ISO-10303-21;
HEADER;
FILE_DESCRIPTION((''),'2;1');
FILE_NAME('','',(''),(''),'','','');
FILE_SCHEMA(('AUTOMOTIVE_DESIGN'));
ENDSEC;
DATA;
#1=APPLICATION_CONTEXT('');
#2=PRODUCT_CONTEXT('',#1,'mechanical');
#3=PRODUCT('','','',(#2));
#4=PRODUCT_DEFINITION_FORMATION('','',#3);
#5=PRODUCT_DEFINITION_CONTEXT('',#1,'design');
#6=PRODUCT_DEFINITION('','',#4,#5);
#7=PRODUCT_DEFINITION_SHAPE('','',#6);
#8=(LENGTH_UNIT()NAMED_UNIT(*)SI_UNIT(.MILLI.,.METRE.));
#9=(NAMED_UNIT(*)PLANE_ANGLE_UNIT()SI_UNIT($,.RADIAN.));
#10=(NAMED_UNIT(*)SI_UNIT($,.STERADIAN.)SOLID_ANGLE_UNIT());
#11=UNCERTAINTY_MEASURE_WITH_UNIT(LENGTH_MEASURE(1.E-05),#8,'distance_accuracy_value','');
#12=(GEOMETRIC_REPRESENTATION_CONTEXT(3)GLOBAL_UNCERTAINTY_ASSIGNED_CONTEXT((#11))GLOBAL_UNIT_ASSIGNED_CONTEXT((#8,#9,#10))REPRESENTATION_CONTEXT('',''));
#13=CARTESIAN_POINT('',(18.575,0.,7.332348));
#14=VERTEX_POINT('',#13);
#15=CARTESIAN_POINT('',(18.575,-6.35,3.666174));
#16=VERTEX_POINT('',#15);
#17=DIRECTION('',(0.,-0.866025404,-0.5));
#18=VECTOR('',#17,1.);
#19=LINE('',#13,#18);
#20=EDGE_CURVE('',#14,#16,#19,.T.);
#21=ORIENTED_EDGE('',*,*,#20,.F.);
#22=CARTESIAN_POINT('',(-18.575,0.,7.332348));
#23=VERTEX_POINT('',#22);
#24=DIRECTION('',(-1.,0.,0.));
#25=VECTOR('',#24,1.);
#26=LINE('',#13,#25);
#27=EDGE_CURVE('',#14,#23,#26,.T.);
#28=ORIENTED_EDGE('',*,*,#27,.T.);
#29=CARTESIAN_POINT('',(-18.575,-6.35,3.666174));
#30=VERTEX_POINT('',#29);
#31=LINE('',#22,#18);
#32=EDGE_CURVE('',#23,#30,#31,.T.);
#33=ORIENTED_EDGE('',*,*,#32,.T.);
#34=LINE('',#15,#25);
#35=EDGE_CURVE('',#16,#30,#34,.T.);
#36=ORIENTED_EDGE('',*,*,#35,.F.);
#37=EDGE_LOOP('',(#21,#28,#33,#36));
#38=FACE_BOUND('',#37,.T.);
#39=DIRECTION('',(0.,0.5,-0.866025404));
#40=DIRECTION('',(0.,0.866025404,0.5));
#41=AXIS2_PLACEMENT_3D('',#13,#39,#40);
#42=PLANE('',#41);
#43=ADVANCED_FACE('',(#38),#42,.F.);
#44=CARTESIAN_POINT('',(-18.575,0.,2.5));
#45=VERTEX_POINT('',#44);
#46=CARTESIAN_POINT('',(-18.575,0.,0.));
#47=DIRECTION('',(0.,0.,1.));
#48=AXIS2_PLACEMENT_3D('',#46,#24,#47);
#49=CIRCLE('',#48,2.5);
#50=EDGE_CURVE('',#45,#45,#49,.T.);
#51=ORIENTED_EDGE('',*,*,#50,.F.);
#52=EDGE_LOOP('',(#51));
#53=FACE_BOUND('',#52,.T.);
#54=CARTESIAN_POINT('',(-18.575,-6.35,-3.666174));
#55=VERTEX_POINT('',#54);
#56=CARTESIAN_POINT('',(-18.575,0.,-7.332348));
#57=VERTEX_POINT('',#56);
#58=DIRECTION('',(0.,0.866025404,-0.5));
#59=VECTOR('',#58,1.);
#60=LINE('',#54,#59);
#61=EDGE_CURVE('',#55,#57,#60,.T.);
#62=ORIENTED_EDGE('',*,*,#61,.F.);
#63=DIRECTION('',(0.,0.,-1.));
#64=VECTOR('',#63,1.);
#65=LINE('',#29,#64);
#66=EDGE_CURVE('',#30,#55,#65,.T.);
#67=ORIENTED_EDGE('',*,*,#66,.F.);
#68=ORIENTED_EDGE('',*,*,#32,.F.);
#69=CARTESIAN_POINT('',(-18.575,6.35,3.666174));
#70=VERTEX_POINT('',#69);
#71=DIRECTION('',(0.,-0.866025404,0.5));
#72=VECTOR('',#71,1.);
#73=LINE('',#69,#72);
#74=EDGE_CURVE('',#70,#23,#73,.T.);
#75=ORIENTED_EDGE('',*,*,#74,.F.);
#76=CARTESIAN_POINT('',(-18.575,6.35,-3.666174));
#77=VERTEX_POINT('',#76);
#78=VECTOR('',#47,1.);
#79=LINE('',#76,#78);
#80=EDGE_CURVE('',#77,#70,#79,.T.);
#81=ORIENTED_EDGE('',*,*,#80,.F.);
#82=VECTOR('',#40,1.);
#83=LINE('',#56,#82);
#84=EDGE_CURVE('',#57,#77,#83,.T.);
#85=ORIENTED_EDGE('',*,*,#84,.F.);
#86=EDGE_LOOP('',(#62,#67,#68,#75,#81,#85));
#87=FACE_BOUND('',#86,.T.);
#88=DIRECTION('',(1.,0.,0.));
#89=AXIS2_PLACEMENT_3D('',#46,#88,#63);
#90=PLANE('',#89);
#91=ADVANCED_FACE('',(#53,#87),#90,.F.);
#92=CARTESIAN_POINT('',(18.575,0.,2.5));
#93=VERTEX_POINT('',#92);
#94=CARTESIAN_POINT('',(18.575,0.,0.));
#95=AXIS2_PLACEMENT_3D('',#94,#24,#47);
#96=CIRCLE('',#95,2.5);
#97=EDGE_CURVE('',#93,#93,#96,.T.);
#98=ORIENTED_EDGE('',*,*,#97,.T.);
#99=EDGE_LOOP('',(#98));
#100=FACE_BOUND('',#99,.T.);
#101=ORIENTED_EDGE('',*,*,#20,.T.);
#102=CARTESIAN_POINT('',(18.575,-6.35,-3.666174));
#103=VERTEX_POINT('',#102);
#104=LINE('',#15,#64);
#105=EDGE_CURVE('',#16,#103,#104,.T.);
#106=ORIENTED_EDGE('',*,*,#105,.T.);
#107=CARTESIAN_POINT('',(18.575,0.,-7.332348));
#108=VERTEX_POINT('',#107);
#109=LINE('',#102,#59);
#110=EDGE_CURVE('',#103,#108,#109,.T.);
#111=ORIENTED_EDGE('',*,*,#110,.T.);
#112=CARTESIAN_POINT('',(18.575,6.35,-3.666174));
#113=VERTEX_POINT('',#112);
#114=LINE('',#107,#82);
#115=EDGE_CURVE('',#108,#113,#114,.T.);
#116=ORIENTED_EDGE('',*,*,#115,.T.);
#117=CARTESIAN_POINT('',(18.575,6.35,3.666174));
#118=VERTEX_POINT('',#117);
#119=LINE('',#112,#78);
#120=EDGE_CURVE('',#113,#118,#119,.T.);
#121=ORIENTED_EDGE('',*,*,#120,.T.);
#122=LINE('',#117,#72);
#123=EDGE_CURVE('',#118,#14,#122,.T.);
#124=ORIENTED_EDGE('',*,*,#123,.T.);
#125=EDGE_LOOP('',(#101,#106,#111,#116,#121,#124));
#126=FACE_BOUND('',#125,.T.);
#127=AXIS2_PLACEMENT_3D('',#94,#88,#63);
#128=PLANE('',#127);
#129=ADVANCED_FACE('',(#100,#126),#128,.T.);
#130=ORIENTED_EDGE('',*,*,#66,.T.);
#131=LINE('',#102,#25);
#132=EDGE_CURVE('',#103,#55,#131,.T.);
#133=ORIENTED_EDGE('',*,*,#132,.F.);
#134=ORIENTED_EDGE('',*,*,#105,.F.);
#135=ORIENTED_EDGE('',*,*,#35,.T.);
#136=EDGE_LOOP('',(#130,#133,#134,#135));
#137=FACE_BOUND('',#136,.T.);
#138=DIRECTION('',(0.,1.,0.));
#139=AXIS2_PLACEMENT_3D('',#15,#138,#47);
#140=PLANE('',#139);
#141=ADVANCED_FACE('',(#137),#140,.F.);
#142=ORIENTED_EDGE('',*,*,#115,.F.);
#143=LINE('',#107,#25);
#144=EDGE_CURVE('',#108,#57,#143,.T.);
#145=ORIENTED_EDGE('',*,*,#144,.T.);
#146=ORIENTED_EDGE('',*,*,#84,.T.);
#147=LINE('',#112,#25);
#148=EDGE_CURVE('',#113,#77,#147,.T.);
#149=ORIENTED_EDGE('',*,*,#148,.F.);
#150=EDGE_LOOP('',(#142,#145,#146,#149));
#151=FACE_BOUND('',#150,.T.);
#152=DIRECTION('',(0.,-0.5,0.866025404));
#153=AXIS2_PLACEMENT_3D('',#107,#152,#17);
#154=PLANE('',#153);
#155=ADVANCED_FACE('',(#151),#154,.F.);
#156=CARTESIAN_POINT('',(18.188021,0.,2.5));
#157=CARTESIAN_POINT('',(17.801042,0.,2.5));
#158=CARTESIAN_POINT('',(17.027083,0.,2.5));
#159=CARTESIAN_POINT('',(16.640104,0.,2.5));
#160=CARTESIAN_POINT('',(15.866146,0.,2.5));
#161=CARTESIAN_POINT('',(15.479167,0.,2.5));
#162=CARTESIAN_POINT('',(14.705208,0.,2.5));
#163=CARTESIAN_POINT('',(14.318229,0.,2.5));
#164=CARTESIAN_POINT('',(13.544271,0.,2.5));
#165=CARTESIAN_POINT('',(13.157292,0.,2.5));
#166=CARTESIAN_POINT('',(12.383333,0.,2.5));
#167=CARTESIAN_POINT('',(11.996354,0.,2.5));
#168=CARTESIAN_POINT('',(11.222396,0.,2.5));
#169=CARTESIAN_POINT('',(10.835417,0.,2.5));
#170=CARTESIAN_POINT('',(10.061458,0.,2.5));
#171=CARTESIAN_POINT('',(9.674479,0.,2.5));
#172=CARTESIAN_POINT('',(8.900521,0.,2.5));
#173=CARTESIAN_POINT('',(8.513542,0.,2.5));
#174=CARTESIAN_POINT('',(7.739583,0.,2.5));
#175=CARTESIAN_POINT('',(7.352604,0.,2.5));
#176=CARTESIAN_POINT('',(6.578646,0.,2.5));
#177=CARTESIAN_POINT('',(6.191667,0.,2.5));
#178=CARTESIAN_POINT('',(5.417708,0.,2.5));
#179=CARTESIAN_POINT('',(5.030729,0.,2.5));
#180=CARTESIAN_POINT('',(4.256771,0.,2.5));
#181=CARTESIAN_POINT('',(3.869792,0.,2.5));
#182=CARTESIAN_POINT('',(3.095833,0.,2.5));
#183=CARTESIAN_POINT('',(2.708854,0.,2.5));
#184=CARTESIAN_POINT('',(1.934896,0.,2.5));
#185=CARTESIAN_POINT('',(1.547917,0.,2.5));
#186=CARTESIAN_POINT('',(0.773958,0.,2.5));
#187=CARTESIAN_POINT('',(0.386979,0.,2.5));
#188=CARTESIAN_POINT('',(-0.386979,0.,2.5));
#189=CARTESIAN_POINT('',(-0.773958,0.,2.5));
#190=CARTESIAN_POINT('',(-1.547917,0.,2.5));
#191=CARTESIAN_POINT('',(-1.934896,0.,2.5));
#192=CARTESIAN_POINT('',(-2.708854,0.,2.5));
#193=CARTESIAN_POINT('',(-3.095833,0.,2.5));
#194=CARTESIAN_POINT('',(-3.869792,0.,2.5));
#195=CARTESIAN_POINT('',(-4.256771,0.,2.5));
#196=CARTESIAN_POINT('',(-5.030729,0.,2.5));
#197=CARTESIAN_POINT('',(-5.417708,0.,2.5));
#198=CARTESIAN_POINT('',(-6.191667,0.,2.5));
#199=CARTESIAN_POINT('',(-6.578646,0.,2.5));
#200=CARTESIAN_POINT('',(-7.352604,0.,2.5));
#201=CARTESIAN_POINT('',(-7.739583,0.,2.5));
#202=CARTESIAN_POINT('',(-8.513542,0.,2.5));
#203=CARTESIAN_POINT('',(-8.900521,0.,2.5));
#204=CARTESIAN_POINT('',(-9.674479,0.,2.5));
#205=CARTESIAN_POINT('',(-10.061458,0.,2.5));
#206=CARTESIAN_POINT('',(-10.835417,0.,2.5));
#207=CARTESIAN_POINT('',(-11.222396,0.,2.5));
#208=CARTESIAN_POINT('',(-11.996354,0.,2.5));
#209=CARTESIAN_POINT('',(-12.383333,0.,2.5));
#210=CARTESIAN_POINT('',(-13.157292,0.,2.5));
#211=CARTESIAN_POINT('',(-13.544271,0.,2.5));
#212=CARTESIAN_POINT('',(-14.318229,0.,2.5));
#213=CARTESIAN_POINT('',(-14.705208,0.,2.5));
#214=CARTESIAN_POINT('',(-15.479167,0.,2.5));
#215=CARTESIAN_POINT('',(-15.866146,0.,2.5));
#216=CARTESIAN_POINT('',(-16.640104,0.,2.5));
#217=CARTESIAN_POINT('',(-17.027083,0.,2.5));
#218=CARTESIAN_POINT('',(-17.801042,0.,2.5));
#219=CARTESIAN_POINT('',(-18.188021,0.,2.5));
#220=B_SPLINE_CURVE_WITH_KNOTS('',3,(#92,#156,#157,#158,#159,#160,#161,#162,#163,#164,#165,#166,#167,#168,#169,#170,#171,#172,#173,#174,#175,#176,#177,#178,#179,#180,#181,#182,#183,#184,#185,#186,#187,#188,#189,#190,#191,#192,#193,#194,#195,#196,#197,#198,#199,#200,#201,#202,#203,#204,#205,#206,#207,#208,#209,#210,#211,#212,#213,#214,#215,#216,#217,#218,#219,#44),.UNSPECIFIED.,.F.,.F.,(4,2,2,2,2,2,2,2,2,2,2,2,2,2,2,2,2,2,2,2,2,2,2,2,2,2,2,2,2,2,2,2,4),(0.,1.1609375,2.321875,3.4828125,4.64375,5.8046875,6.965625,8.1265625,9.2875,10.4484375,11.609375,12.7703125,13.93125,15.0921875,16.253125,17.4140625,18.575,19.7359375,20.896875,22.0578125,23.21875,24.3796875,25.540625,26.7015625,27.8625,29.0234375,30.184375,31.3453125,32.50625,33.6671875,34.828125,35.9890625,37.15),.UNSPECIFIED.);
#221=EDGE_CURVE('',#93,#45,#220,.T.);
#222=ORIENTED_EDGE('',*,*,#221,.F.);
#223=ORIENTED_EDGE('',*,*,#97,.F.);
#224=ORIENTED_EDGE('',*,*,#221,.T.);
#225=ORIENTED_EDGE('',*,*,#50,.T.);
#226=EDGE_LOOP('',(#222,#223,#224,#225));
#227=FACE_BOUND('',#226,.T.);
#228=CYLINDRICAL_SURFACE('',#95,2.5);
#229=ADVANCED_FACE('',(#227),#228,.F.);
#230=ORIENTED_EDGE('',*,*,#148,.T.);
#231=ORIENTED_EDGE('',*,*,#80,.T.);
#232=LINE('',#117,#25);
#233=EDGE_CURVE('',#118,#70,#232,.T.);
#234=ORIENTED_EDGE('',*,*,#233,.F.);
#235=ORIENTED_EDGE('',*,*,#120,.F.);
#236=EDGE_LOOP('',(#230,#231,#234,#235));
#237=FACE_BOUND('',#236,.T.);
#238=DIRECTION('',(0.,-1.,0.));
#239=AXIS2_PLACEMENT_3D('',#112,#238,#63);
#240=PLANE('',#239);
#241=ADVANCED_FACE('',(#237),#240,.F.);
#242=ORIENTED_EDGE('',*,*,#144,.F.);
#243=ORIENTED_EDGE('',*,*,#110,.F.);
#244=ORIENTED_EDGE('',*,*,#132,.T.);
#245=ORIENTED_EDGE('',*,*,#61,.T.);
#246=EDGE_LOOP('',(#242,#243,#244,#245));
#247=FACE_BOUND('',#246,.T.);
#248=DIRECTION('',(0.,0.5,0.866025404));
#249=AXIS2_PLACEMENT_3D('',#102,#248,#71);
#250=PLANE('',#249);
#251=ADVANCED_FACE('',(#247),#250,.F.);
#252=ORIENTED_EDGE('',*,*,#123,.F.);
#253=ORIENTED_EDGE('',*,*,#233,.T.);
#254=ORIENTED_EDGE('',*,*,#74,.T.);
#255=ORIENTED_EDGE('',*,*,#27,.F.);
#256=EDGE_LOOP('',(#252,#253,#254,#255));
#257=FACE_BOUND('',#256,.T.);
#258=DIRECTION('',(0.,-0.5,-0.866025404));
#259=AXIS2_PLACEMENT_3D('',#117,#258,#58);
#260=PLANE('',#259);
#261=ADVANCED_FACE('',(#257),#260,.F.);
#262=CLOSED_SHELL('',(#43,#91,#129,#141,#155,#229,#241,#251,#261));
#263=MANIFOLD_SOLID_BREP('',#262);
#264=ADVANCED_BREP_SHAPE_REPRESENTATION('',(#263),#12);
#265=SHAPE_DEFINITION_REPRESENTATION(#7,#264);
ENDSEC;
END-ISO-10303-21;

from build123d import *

# Parameters (mm, degrees)
BOSS_EXTRUDE1_DEPTH = 18.575
SKETCH3_R           = 2.5
CUT_EXTRUDE1_DEPTH  = 39.395420734


with BuildPart() as part:
    # Sketch2 → Boss-Extrude1 (new, symmetric)
    with BuildSketch(Plane(origin=(0, 0, 0), x_dir=(0, 0, -1), z_dir=(1, 0, 0))):
        Polygon((7.332348419, 0), (3.666174209, 6.35), (-3.666174209, 6.35), (-7.332348419, 0), (-3.666174209, -6.35), (3.666174209, -6.35), align=None)
    extrude(amount=BOSS_EXTRUDE1_DEPTH, both=True)

    # Sketch3 → Cut-Extrude1 (cut, through all)
    with BuildSketch(Plane.ZY.offset(18.575)):
        Circle(SKETCH3_R)
    extrude(amount=-CUT_EXTRUDE1_DEPTH, mode=Mode.SUBTRACT)


solid = part.part
